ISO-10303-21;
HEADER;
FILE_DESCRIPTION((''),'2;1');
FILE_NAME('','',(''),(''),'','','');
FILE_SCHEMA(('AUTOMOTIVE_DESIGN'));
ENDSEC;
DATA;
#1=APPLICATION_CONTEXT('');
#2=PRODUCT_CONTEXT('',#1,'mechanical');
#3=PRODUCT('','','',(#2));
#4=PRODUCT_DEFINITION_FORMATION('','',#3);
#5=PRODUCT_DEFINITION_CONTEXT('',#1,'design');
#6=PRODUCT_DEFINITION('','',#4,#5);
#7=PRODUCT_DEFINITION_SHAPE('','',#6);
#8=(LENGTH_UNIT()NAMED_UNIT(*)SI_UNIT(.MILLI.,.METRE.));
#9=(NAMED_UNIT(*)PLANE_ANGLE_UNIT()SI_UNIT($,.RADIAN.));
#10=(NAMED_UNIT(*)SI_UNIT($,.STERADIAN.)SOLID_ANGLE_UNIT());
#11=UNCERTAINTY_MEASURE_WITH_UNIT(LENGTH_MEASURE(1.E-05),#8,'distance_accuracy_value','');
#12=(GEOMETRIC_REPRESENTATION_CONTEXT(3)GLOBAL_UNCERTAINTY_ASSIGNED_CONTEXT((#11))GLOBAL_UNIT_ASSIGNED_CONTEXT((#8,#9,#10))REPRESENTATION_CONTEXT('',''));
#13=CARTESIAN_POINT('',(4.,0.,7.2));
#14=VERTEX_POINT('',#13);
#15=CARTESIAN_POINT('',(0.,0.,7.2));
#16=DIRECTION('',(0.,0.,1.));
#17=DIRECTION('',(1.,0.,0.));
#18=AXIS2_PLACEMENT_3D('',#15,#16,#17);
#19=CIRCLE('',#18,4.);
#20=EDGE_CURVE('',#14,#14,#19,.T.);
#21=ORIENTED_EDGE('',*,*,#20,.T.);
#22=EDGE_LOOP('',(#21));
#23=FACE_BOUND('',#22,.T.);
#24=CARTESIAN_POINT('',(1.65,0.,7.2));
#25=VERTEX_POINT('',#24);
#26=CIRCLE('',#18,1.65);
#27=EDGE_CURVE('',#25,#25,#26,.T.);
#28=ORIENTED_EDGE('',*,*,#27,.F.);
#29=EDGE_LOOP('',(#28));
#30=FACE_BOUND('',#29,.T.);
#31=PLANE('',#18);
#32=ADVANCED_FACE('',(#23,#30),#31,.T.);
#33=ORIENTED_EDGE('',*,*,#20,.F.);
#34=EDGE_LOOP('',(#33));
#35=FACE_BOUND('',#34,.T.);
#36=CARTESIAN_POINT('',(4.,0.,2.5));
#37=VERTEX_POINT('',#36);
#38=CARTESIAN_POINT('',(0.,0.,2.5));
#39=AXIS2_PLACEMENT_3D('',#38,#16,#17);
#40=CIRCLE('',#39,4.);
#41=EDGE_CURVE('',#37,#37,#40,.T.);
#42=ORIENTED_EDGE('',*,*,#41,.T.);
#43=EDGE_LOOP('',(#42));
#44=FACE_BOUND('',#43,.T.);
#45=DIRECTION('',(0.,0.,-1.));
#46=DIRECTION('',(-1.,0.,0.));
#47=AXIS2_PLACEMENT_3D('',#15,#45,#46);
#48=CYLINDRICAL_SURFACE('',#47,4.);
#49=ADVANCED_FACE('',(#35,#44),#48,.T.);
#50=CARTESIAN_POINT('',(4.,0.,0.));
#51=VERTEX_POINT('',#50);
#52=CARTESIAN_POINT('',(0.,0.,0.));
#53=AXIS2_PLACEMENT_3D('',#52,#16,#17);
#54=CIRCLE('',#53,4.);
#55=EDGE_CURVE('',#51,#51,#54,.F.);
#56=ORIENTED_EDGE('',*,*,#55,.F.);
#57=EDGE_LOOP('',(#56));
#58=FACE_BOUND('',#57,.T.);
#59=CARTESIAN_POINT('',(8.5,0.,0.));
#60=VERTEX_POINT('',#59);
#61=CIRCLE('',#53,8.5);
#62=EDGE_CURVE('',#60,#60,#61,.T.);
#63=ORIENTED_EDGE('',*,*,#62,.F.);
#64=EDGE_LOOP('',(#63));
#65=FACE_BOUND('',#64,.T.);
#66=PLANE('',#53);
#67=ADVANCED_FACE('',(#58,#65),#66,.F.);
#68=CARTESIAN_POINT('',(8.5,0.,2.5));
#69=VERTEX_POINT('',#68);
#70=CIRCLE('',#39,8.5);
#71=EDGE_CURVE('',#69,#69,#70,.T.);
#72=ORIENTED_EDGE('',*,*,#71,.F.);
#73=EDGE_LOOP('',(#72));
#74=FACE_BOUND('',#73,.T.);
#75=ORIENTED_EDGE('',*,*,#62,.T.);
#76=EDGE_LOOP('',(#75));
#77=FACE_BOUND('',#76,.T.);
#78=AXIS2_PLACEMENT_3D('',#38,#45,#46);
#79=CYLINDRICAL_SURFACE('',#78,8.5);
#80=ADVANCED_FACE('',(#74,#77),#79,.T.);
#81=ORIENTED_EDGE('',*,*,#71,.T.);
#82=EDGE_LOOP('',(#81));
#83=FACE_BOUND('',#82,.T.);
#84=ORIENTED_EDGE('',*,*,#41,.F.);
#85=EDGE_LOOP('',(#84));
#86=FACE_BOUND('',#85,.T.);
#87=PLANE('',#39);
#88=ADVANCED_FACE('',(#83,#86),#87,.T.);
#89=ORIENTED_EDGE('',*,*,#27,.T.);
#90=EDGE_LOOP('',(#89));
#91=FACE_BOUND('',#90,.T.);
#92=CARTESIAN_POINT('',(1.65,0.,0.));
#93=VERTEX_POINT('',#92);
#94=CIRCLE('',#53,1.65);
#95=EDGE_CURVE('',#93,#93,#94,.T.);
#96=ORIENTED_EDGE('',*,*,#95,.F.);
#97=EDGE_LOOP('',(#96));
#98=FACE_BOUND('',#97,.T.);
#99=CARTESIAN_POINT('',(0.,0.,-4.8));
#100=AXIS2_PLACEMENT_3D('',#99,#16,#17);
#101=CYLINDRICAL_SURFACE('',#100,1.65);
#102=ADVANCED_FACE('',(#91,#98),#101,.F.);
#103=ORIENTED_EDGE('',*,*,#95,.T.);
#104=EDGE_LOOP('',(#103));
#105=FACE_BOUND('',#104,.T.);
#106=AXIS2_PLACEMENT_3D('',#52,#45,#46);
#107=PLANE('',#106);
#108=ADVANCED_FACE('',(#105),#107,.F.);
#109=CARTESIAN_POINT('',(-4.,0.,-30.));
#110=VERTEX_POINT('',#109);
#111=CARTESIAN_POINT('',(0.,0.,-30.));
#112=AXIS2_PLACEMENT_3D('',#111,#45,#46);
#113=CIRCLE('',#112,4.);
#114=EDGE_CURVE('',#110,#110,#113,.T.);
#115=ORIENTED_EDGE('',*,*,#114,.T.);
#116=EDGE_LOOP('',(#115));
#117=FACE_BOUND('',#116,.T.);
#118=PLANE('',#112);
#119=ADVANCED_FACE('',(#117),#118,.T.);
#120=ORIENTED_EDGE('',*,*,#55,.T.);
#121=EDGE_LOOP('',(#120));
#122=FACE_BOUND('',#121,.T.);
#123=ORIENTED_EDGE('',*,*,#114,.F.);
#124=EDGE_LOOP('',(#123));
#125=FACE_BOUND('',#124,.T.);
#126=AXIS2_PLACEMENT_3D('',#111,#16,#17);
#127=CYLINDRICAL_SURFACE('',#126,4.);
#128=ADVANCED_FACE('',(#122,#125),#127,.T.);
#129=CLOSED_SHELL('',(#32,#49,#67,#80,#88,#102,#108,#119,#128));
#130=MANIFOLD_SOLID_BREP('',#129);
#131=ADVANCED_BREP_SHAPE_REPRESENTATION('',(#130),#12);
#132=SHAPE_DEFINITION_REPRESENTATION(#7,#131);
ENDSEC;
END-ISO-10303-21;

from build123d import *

# Parameters (mm, degrees)
SKETCH_1_R          = 8.5
EXTRUDE_1_DEPTH     = 2.5
SKETCH_2_R          = 4
EXTRUDE_2_DEPTH     = 4.7
SKETCH_3_R          = 1.65
CUT_EXTRUDE_1_DEPTH = 12
EXTRUDE_START       = 30
SKETCH_4_R          = 4
EXTRUDE_3_DEPTH     = 30


with BuildPart() as part:
    # Эскиз1 → Бобышка-Вытянуть1 (new body)
    with BuildSketch(Plane.XY):
        Circle(SKETCH_1_R)
    extrude(amount=EXTRUDE_1_DEPTH)

    # Эскиз2 → Бобышка-Вытянуть2 (add)
    with BuildSketch(Plane.XY.offset(2.5)):
        Circle(SKETCH_2_R)
    extrude(amount=EXTRUDE_2_DEPTH)

    # Эскиз3 → Вырез-Вытянуть1 (cut)
    with BuildSketch(Plane.XY.offset(7.2)):
        Circle(SKETCH_3_R)
    extrude(amount=-CUT_EXTRUDE_1_DEPTH, mode=Mode.SUBTRACT)

    # Эскиз4 → Бобышка-Вытянуть3 (add)
    with BuildSketch(Plane(origin=(0, 0, 0), x_dir=(-1, 0, 0), z_dir=(0, 0, -1)).offset(EXTRUDE_START)):
        with Locations(Location((0, 0, 0), (0, 0, 180))):
            Circle(SKETCH_4_R)
    extrude(amount=-EXTRUDE_3_DEPTH)


solid = part.part
